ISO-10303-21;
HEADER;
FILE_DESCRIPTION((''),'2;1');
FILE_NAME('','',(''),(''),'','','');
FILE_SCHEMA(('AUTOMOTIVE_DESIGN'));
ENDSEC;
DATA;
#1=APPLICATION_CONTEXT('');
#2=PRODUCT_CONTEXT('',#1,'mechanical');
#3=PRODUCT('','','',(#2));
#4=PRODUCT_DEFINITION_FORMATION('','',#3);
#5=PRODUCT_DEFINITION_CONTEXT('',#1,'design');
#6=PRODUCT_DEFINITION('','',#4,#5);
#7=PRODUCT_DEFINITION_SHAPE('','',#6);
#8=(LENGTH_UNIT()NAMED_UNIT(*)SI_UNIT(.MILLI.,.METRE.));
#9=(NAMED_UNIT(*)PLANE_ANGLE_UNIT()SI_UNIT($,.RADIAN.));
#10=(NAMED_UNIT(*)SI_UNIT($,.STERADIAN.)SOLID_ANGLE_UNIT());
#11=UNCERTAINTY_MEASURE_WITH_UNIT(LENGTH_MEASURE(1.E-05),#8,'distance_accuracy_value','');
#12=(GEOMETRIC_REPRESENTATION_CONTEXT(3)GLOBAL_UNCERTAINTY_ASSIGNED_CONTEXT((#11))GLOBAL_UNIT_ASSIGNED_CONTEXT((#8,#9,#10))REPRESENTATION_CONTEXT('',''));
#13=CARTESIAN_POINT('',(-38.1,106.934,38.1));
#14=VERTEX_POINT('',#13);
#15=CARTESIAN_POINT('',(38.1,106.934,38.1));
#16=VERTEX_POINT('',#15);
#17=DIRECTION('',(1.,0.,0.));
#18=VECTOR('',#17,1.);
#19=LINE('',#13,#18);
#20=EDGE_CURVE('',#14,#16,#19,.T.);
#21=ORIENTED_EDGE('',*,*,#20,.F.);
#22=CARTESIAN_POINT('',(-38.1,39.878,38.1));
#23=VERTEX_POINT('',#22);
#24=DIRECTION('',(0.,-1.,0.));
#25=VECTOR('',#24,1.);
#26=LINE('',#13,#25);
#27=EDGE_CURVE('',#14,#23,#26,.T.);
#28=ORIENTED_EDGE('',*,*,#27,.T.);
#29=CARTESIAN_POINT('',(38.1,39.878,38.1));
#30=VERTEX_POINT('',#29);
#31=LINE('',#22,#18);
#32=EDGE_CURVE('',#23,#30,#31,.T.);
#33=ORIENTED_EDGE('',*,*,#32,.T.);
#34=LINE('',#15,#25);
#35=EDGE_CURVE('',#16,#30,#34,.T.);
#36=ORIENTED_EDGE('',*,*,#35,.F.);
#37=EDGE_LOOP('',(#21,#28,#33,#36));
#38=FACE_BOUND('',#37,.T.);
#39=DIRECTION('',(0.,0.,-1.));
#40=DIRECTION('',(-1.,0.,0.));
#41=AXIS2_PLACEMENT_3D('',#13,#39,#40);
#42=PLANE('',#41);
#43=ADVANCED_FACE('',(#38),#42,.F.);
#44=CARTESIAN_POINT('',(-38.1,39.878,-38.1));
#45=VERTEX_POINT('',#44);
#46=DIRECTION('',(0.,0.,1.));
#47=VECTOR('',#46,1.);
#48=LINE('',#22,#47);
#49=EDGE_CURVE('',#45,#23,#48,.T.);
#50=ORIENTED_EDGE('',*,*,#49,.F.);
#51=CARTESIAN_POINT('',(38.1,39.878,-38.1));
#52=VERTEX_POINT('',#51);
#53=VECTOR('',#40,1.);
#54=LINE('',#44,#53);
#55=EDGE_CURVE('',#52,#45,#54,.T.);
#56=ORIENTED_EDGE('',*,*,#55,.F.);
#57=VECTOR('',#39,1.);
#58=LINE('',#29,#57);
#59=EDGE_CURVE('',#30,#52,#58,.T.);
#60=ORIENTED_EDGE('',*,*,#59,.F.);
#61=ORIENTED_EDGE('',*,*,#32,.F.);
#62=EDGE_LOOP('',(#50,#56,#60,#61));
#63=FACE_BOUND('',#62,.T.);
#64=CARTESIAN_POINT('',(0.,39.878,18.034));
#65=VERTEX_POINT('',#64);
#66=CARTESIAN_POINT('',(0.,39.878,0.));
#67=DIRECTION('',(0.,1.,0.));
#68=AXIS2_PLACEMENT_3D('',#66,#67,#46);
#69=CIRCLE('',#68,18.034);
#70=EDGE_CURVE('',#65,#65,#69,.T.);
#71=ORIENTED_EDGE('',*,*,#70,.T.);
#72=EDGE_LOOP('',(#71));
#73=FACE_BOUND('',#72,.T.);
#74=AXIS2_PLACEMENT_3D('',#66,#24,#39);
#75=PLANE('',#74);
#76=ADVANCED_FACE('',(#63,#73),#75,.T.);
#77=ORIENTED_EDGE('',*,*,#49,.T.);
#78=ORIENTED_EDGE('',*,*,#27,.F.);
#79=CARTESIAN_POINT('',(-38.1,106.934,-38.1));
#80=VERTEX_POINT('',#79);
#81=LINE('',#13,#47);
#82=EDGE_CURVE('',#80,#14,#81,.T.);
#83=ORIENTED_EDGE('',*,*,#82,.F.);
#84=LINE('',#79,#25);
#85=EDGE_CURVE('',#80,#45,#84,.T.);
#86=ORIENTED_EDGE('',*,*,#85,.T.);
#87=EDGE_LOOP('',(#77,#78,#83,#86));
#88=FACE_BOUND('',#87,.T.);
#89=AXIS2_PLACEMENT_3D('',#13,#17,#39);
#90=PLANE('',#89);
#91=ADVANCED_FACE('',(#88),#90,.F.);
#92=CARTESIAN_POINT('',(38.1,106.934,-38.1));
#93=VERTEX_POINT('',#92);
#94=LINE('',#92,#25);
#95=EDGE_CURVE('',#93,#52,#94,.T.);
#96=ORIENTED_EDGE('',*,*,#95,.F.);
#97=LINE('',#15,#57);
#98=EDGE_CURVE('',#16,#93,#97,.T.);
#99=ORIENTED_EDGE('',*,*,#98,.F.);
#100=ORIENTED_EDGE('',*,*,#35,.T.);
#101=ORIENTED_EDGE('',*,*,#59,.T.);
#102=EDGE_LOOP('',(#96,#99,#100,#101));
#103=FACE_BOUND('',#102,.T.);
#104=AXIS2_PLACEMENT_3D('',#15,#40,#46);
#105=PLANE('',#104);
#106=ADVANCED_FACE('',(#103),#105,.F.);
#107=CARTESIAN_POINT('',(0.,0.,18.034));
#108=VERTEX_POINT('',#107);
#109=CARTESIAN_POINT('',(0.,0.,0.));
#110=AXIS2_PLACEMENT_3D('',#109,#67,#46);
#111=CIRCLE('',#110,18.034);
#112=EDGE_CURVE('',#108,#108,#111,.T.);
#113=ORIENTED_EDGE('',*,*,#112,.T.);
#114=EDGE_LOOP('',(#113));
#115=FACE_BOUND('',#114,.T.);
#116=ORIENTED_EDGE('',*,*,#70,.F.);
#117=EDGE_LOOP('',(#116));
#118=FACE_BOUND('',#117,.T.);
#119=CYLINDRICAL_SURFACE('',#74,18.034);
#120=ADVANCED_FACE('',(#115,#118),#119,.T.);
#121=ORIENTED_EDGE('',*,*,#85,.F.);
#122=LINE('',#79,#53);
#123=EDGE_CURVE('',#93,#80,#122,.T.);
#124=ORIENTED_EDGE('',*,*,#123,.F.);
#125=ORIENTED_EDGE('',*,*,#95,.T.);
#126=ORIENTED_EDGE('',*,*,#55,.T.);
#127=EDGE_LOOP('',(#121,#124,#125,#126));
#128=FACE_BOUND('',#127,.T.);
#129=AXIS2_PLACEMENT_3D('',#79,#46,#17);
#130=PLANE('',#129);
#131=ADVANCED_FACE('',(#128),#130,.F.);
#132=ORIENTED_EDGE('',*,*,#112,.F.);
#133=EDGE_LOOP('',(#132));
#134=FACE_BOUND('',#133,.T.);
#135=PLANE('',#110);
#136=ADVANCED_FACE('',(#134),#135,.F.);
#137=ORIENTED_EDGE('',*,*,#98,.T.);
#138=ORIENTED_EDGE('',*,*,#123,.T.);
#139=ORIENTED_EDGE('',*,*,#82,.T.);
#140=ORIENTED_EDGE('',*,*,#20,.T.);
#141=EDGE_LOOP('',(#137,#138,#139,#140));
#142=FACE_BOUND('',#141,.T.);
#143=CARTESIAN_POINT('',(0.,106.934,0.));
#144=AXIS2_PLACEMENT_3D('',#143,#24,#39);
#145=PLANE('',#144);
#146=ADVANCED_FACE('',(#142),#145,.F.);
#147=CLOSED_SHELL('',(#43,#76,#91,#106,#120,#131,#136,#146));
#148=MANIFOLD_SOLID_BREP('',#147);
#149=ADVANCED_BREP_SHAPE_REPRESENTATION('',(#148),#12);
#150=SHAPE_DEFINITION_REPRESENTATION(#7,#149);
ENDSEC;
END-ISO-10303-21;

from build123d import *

# Parameters (mm, degrees)
SKETCH3_R           = 18.034
BOSS_EXTRUDE1_DEPTH = 39.878
SKETCH4_W           = 76.2
SKETCH4_H           = 76.2
BOSS_EXTRUDE2_DEPTH = 67.056


with BuildPart() as part:
    # Sketch3 → Boss-Extrude1 (new body)
    with BuildSketch(Plane(origin=(0, 0, 0), x_dir=(1, 0, 0), z_dir=(0, 1, 0))):
        Circle(SKETCH3_R)
    extrude(amount=BOSS_EXTRUDE1_DEPTH)

    # Sketch4 → Boss-Extrude2 (add)
    with BuildSketch(Plane(origin=(0, 39.878, 0), x_dir=(1, 0, 0), z_dir=(0, 1, 0))):
        Rectangle(SKETCH4_W, SKETCH4_H)
    extrude(amount=BOSS_EXTRUDE2_DEPTH)


solid = part.part
